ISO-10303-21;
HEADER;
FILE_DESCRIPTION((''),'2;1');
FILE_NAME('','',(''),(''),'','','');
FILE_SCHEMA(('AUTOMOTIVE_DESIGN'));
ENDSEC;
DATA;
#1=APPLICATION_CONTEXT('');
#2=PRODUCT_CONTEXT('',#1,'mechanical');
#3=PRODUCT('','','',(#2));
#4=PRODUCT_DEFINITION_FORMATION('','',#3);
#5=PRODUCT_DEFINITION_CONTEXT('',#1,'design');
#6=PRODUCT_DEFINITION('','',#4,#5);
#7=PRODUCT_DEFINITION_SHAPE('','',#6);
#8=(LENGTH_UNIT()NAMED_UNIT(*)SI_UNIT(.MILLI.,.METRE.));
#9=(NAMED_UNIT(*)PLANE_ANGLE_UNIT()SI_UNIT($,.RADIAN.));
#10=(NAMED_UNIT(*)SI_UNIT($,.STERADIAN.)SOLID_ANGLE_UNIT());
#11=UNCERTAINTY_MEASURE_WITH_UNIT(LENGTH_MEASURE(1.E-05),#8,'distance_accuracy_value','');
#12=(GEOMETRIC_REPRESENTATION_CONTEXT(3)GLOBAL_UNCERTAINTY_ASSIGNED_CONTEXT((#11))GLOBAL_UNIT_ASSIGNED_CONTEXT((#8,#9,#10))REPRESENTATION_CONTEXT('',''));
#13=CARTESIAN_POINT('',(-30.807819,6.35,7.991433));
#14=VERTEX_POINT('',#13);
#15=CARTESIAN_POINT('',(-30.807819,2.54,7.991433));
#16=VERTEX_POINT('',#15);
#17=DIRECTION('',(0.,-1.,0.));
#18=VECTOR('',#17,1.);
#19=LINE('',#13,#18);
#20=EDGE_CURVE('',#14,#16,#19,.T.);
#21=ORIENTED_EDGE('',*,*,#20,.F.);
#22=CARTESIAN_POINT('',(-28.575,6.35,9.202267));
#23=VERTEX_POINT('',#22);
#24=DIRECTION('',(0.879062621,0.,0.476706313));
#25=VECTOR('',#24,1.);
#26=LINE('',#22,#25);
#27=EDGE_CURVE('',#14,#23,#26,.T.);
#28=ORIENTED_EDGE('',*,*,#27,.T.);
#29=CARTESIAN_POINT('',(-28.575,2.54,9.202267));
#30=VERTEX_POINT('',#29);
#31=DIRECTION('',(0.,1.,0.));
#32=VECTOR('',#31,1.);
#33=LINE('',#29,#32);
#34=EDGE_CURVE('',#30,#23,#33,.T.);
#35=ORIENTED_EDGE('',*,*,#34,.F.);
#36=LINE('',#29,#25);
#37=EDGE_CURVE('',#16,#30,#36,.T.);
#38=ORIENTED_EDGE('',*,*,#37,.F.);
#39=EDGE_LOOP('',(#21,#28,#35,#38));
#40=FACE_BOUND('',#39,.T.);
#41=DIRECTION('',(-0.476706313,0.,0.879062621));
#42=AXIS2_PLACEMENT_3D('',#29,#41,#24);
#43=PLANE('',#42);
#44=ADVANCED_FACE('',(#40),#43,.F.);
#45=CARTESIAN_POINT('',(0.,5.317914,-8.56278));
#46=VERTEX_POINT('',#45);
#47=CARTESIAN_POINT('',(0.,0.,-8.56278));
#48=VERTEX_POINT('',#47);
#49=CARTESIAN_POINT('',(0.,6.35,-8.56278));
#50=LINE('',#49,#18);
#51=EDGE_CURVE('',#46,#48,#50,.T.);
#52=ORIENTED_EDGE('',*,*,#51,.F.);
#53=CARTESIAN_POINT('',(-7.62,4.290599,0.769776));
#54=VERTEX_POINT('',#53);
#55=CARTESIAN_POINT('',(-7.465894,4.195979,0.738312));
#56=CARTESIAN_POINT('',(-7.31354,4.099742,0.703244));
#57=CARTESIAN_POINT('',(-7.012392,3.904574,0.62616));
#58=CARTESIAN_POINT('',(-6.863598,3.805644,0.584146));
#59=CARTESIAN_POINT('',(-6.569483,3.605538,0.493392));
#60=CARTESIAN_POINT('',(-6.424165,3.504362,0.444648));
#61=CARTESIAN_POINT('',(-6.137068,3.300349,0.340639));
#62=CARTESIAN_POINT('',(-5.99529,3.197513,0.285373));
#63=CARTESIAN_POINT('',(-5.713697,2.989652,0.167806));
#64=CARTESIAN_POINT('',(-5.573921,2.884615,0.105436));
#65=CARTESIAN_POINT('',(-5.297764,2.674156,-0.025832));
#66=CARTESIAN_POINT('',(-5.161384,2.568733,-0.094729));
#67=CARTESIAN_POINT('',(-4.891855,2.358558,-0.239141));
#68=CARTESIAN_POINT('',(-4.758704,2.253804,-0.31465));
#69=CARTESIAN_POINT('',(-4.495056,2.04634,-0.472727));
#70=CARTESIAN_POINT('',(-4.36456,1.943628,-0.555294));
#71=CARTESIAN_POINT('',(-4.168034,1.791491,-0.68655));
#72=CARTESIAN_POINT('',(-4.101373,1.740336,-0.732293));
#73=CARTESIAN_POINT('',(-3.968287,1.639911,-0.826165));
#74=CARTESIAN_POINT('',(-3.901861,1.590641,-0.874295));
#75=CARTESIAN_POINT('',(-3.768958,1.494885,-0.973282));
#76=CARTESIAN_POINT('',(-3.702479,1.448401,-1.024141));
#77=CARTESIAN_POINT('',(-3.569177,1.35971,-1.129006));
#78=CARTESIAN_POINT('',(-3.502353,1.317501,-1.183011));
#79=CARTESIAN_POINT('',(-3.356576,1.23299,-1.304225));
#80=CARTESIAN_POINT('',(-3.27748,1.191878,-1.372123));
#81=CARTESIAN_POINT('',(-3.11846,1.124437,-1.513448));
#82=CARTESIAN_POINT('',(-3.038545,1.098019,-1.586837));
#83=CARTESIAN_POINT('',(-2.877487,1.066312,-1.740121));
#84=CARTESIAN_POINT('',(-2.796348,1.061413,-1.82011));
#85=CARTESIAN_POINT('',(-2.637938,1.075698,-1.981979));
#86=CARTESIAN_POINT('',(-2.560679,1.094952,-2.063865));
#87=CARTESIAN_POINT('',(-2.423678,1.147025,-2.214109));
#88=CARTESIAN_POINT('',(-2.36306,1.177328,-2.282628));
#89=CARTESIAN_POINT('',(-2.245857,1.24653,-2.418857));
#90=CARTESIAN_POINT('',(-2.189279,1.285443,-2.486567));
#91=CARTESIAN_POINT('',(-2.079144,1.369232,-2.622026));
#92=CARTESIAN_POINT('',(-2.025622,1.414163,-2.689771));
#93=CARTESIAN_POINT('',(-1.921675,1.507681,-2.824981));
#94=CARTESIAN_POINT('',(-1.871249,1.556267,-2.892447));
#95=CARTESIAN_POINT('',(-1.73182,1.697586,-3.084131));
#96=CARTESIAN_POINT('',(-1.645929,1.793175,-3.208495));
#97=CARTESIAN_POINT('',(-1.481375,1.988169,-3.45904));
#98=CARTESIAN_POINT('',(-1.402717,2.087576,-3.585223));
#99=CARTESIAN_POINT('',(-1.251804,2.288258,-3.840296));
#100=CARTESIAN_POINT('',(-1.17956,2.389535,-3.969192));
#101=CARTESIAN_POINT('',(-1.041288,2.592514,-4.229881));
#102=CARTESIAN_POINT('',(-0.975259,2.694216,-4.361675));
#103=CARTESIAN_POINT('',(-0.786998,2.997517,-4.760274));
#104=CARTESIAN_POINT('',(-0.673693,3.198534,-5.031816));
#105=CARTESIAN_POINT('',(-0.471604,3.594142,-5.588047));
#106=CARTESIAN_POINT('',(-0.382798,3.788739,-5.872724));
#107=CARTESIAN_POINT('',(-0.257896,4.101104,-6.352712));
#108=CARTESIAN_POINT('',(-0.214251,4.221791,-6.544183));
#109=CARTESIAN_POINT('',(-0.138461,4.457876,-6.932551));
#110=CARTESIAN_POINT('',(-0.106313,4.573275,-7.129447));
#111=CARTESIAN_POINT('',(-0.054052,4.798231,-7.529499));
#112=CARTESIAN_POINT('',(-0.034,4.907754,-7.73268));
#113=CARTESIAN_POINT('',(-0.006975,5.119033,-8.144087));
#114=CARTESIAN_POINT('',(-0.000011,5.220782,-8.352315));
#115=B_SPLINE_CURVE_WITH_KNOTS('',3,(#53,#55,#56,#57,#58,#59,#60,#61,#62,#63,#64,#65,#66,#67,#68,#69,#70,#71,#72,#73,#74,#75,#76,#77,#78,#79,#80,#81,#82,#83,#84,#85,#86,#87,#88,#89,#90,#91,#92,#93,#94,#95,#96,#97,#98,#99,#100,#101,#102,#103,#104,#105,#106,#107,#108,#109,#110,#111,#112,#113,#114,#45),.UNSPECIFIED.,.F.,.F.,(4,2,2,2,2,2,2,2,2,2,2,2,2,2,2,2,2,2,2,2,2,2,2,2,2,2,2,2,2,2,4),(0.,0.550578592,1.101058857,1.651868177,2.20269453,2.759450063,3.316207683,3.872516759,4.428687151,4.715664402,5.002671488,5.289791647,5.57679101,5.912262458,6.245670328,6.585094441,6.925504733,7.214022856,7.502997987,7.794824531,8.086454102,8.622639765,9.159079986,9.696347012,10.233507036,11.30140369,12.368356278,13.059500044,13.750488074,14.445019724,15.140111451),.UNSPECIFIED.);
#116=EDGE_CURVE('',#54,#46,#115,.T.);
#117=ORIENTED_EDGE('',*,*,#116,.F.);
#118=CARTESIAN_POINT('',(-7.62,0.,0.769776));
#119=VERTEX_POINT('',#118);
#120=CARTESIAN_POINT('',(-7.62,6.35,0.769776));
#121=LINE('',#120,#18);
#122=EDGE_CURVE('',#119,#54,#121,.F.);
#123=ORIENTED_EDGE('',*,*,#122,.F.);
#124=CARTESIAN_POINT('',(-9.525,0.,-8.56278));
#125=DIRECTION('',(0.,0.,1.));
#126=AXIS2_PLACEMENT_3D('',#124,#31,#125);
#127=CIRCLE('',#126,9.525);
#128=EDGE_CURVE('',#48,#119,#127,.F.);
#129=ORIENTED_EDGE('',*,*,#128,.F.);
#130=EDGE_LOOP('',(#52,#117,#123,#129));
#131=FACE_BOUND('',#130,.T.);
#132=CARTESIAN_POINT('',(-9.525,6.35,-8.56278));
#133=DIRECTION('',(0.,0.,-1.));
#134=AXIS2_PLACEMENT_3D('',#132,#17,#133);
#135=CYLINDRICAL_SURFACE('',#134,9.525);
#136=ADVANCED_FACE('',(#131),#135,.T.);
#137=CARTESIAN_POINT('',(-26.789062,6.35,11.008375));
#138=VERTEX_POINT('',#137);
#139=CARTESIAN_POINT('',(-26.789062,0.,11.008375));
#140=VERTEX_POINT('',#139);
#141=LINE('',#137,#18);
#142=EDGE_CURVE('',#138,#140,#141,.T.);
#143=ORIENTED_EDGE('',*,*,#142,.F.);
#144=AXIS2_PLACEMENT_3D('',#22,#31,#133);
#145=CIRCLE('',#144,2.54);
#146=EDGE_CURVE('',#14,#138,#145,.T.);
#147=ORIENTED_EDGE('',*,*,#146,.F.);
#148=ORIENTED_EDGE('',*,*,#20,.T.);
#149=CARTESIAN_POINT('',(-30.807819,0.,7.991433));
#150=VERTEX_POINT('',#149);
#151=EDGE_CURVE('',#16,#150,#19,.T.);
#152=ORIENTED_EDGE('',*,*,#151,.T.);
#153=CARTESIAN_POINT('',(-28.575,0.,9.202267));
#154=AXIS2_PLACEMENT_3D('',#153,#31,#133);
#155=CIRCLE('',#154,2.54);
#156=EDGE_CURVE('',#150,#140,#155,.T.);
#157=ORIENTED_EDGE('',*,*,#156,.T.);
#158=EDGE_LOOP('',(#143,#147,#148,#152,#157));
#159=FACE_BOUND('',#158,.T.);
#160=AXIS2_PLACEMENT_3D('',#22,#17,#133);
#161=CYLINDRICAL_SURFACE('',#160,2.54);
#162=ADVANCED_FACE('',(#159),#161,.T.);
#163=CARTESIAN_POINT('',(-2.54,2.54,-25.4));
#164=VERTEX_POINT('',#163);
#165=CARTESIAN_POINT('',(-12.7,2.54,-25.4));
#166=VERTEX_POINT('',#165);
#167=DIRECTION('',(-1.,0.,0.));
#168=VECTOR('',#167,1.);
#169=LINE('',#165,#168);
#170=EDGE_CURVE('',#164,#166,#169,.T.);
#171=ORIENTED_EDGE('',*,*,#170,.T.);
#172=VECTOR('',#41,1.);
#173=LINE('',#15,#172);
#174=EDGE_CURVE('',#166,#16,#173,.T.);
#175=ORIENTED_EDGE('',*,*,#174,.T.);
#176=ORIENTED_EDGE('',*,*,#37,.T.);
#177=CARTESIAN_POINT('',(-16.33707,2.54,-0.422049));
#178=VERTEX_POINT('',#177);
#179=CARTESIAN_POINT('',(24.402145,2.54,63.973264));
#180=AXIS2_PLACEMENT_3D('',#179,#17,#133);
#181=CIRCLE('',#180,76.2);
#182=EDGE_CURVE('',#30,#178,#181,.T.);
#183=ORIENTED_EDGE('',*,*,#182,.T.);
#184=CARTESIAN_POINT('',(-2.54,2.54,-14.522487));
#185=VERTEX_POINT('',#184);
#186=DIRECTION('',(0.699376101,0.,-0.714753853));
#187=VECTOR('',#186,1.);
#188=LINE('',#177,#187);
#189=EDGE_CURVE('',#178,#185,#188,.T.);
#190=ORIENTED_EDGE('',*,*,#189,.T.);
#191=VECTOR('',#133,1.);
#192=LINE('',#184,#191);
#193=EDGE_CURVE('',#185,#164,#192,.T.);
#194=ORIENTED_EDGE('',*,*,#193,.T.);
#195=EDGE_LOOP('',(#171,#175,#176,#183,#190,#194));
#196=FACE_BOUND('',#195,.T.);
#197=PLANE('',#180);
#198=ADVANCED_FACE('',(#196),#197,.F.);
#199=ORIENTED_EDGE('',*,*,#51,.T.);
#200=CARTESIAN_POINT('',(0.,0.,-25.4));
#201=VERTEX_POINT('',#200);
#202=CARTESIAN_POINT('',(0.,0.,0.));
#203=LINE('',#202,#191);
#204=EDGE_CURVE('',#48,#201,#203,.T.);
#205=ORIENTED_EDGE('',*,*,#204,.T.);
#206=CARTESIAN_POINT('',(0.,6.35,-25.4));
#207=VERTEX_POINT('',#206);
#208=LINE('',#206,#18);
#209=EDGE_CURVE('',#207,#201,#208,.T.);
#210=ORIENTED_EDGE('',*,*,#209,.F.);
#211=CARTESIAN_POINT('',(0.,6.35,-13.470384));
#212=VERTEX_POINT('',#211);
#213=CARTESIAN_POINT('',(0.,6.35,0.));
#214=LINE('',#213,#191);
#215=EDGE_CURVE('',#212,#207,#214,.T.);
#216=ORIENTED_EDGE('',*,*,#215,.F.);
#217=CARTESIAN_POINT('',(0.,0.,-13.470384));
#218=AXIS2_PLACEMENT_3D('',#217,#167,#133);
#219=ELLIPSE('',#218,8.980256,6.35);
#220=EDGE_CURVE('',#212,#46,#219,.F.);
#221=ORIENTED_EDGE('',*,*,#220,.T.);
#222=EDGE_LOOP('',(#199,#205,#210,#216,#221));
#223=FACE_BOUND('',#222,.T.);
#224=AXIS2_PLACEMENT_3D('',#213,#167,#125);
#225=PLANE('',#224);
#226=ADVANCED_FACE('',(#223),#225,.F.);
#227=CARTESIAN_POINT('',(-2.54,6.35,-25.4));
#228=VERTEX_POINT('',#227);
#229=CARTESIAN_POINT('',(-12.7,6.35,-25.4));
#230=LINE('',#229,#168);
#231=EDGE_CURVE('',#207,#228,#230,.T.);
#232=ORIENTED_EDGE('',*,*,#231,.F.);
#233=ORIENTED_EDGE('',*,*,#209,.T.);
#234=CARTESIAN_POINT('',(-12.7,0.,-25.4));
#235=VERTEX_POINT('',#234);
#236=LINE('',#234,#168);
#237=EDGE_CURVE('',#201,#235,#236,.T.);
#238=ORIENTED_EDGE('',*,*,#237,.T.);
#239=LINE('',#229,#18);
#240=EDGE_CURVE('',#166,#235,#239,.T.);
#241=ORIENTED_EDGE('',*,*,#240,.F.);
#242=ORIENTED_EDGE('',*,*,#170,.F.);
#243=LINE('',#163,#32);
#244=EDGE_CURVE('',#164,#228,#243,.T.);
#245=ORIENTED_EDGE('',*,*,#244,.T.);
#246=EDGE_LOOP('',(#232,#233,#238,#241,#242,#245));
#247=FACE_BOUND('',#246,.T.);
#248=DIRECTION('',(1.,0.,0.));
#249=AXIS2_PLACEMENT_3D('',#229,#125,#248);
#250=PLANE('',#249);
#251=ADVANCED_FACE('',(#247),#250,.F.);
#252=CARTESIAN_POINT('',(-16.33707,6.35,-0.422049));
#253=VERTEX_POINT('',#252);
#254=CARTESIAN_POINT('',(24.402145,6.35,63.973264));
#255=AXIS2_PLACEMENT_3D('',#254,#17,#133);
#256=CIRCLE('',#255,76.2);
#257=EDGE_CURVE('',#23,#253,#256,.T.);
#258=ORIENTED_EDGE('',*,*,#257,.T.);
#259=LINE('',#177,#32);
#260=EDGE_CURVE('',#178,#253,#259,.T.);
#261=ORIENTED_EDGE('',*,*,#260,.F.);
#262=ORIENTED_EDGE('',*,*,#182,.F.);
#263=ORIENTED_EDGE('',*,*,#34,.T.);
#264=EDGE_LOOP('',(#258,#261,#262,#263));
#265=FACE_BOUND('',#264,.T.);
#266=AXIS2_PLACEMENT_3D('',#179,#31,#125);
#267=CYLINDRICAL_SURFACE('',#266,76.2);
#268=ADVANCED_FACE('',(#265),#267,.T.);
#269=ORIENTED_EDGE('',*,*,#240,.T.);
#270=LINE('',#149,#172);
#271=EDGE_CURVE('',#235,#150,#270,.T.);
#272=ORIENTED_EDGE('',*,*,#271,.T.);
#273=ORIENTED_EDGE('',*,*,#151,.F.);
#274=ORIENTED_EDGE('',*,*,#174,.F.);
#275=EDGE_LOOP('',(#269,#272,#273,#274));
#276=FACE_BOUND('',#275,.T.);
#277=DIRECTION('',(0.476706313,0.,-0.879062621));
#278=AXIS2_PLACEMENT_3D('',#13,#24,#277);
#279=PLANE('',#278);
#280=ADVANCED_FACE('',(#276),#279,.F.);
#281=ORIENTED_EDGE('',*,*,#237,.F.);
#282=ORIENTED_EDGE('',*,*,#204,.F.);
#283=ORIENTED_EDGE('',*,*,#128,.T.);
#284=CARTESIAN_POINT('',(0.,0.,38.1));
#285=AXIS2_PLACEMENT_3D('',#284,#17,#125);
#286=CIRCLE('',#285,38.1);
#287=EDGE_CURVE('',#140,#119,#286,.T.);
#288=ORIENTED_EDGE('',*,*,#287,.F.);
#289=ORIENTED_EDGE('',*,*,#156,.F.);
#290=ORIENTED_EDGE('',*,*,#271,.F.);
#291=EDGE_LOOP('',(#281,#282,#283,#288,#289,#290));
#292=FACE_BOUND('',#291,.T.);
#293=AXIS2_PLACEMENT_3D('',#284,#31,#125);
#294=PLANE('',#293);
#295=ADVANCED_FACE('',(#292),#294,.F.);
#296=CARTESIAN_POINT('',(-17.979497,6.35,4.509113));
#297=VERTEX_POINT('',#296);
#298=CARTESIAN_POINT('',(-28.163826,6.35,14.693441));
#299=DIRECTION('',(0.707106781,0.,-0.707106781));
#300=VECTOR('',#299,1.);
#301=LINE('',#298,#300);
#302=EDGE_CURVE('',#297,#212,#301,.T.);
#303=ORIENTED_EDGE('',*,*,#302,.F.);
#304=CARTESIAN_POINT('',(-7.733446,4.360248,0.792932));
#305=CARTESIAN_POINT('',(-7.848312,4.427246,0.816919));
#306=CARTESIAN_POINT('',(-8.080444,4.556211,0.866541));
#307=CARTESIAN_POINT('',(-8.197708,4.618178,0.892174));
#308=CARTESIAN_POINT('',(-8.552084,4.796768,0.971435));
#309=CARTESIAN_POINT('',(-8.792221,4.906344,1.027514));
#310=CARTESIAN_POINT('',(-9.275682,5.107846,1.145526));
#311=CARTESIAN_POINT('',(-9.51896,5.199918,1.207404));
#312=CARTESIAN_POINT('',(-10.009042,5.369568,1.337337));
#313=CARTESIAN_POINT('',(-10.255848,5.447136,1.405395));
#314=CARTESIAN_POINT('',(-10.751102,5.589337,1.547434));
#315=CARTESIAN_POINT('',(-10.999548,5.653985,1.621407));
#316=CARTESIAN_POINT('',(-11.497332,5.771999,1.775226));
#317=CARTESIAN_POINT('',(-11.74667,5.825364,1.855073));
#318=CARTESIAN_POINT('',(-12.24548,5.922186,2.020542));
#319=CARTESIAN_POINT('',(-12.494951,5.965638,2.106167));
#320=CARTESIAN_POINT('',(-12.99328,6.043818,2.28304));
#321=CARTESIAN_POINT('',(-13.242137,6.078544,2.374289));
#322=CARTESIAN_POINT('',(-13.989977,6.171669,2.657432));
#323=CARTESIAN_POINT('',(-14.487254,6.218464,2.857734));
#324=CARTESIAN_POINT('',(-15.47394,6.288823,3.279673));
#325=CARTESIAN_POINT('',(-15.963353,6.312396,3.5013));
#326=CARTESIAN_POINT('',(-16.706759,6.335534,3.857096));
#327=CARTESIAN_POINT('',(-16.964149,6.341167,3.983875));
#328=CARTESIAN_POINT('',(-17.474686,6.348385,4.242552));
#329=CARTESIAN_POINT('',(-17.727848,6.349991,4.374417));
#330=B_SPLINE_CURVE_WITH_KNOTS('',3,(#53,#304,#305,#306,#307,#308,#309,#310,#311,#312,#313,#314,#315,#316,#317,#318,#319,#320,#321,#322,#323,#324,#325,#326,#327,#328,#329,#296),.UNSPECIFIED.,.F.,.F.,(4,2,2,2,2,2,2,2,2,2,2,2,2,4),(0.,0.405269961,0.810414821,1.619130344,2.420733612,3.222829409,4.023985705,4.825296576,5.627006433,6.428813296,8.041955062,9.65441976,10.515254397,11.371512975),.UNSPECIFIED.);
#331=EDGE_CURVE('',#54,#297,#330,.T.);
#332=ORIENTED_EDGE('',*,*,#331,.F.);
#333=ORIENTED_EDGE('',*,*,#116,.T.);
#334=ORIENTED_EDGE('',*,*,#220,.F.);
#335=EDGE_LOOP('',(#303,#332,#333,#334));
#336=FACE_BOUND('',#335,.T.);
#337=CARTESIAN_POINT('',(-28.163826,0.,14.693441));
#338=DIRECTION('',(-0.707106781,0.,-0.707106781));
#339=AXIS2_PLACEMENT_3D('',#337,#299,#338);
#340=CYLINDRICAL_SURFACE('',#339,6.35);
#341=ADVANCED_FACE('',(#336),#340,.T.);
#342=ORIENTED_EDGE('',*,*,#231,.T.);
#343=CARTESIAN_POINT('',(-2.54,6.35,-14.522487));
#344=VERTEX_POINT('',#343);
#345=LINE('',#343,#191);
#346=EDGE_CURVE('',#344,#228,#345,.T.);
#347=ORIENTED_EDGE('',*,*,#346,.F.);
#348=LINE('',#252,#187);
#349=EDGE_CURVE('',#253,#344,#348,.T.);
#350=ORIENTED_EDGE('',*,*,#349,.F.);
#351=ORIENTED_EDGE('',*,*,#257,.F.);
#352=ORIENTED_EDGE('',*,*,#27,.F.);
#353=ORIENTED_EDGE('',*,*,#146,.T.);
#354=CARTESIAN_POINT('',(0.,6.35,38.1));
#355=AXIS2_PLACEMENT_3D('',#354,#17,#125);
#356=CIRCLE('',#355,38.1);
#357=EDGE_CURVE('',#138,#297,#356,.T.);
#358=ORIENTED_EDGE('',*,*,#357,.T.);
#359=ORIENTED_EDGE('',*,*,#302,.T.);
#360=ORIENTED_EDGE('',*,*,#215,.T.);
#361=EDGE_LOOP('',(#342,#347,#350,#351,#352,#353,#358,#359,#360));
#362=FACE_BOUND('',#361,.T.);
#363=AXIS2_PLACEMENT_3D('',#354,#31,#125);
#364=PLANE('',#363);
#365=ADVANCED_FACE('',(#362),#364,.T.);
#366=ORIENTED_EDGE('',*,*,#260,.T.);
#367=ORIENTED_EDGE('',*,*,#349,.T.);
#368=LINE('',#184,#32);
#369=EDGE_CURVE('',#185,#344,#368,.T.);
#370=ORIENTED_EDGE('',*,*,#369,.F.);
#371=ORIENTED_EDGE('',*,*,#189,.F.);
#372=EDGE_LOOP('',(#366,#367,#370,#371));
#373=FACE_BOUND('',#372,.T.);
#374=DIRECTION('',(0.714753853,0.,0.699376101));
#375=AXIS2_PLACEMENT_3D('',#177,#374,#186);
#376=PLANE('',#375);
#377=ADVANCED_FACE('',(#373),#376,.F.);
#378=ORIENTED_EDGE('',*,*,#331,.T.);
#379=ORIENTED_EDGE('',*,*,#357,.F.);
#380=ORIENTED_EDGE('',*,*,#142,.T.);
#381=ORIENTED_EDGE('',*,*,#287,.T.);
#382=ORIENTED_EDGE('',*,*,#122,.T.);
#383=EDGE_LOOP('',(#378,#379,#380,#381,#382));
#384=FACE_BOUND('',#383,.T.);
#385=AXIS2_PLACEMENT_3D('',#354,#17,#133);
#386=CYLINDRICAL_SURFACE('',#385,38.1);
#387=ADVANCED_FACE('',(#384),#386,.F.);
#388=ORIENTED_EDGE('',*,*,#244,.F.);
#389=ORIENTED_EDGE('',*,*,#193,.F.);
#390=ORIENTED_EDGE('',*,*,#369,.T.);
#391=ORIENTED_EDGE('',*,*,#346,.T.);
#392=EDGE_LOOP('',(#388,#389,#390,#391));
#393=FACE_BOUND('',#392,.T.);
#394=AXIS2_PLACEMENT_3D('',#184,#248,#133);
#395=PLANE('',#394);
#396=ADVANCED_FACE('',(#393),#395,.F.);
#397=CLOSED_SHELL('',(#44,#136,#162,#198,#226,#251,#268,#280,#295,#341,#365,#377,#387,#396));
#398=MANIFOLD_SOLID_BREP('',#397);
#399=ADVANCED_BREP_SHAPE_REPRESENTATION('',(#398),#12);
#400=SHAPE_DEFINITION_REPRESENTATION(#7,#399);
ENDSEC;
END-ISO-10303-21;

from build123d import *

# Parameters (mm, degrees)
BOSS_EXTRUDE1_DEPTH     = 6.35
FILLET1_R               = 9.525
CUT_EXTRUDE1_DEPTH      = 41.664797122
CUT_EXTRUDE1_DEPTH_BACK = 41.664797122
CUT_EXTRUDE2_DEPTH      = 3.81


with BuildPart() as part:
    # Sketch2 → Boss-Extrude1 (new body)
    with BuildSketch(Plane(origin=(0, 0, 0), x_dir=(1, 0, 0), z_dir=(0, 1, 0))):
        with BuildLine():
            Line((0, 0), (0, 25.4))
            Line((0, 25.4), (-12.7, 25.4))
            Line((-12.7, 25.4), (-30.807819057, -7.991432922))
            ThreePointArc((-30.807819057, -7.991432922), (-30.099929857, -11.233569232), (-26.7890625, -11.008375273))
            ThreePointArc((-26.7890625, -11.008375273), (-14.481351765, -2.859392016), (0, 0))
        make_face()
    extrude(amount=BOSS_EXTRUDE1_DEPTH)

    # Fillet1
    fillet1_edges = [part.edges().sort_by_distance(p)[0] for p in [
        (0, 3.175, 0),
    ]]
    fillet(fillet1_edges, radius=FILLET1_R)

    # Sketch3 → Cut-Extrude1 (cut, two sides: drawn at the far end of the back side and taken through both)
    with BuildSketch(Plane(origin=(0, 0, 0), x_dir=(-0.7071067811865489, 0, -0.7071067811865462), z_dir=(0.7071067811865462, 0, -0.7071067811865489)).offset(-CUT_EXTRUDE1_DEPTH_BACK)):
        with BuildLine():
            Line((9.525, 6.35), (9.525, 7.810784714))
            Line((9.525, 7.810784714), (2.20669647, 7.810784714))
            Line((2.20669647, 7.810784714), (2.20669647, 0))
            Line((2.20669647, 0), (3.175, 0))
            ThreePointArc((3.175, 0), (5.034871939, 4.490128061), (9.525, 6.35))
        make_face()
    extrude(amount=CUT_EXTRUDE1_DEPTH + CUT_EXTRUDE1_DEPTH_BACK, mode=Mode.SUBTRACT)

    # Sketch4 → Cut-Extrude2 (cut)
    with BuildSketch(Plane(origin=(0, 6.35, 0), x_dir=(1, 0, 0), z_dir=(0, 1, 0))):
        with BuildLine():
            Line((-16.337070041, 0.422049177), (-2.54, 14.52248663))
            Line((-2.54, 14.52248663), (-2.54, 25.4))
            Line((-2.54, 25.4), (-12.7, 25.4))
            Line((-12.7, 25.4), (-30.807819057, -7.991432922))
            Line((-30.807819057, -7.991432922), (-28.575, -9.202266957))
            ThreePointArc((-28.575, -9.202266957), (-22.702482164, -4.076735677), (-16.337070041, 0.422049177))
        make_face()
    extrude(amount=-CUT_EXTRUDE2_DEPTH, mode=Mode.SUBTRACT)


solid = part.part
